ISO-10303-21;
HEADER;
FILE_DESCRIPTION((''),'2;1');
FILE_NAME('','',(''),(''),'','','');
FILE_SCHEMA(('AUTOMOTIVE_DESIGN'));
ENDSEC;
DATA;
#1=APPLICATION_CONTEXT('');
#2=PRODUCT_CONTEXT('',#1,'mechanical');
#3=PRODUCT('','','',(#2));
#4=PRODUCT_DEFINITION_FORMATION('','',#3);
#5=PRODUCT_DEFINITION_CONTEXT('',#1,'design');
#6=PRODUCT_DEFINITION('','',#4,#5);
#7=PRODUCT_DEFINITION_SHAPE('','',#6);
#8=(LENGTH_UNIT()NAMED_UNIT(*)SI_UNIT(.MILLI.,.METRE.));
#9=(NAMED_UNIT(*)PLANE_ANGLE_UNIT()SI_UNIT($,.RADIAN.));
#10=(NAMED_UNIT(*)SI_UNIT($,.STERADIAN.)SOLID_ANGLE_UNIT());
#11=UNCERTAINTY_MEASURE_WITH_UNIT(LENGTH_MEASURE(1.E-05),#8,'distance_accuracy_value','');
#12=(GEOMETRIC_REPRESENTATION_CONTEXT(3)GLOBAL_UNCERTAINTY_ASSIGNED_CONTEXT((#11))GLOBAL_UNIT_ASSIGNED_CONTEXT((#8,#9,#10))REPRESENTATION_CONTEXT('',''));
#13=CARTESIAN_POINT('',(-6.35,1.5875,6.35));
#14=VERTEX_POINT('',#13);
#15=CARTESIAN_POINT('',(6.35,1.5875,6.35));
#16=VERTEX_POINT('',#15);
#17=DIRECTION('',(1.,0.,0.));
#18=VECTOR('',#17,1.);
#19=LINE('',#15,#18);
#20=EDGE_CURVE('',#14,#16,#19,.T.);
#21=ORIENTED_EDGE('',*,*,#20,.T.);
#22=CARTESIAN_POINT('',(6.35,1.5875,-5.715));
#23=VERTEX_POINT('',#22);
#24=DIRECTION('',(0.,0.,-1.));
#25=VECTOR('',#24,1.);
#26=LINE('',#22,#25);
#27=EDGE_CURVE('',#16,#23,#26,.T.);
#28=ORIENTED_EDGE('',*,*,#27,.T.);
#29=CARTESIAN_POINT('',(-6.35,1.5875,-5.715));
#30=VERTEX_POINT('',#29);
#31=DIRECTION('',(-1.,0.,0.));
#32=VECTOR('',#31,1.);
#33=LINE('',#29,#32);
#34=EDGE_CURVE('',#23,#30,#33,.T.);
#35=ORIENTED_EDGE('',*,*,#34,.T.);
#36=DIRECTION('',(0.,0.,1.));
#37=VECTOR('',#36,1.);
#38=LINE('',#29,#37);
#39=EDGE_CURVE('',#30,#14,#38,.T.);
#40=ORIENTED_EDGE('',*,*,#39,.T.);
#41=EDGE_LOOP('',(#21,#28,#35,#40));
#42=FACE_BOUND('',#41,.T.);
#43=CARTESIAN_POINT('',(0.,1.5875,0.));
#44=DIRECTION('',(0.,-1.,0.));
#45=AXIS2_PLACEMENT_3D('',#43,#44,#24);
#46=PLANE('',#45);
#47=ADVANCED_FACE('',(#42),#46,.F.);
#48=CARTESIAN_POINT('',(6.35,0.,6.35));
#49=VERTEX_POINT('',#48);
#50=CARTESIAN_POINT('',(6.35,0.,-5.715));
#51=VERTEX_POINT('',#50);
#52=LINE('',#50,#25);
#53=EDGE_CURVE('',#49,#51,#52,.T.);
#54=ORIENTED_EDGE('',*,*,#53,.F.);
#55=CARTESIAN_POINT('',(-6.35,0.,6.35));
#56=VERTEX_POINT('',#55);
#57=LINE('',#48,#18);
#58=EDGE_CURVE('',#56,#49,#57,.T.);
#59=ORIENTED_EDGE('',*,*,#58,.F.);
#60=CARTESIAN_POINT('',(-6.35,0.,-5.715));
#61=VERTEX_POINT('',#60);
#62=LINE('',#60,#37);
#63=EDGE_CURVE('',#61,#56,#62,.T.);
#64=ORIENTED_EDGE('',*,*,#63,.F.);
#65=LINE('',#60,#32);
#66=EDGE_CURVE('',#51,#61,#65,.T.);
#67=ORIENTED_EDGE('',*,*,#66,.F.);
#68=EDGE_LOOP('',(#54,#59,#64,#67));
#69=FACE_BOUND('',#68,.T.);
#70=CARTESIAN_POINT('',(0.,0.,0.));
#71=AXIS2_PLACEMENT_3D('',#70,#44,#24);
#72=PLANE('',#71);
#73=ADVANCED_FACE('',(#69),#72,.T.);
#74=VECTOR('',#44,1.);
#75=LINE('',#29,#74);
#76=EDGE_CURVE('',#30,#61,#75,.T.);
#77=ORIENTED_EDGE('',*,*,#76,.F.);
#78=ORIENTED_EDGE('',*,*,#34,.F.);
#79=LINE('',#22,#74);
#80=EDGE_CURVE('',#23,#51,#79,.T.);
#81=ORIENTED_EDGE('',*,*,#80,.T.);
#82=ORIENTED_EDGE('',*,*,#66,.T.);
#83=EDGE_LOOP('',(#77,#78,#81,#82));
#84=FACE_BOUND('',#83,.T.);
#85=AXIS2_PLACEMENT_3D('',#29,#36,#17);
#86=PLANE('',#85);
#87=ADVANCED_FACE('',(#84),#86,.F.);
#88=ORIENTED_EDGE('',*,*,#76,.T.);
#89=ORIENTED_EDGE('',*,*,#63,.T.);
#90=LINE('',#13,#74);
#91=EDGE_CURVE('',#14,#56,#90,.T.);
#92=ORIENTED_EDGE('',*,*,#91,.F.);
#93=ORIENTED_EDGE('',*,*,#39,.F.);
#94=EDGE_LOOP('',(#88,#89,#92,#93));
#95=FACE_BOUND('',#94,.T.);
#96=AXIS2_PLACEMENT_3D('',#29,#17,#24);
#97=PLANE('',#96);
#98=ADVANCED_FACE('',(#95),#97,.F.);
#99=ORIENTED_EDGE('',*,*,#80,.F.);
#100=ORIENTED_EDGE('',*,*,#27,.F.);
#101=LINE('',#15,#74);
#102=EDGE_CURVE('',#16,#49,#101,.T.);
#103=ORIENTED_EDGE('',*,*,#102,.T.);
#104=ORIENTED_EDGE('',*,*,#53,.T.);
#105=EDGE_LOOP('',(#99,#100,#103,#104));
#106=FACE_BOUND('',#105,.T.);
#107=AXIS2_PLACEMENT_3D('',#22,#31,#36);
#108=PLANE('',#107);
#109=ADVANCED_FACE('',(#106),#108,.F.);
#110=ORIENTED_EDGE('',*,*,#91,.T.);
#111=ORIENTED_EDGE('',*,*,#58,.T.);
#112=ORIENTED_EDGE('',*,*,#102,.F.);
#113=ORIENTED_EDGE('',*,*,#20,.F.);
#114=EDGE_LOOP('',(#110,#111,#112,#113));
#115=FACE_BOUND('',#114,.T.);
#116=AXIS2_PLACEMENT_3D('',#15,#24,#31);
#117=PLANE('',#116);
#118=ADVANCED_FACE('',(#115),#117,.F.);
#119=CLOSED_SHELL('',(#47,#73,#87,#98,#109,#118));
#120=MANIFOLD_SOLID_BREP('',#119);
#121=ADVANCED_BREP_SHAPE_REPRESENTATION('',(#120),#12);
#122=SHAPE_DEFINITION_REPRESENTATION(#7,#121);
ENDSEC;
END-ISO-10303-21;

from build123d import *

# Parameters (mm, degrees)
SKETCH1_W       = 12.7
SKETCH1_H       = 12.065
LOWERBASE_DEPTH = 1.5875


with BuildPart() as part:
    # Sketch1 → LowerBase (new body)
    with BuildSketch(Plane(origin=(0, 0, 0), x_dir=(1, 0, 0), z_dir=(0, 1, 0))):
        with Locations((0, -0.3175)):
            Rectangle(SKETCH1_W, SKETCH1_H)
    extrude(amount=LOWERBASE_DEPTH)


solid = part.part
